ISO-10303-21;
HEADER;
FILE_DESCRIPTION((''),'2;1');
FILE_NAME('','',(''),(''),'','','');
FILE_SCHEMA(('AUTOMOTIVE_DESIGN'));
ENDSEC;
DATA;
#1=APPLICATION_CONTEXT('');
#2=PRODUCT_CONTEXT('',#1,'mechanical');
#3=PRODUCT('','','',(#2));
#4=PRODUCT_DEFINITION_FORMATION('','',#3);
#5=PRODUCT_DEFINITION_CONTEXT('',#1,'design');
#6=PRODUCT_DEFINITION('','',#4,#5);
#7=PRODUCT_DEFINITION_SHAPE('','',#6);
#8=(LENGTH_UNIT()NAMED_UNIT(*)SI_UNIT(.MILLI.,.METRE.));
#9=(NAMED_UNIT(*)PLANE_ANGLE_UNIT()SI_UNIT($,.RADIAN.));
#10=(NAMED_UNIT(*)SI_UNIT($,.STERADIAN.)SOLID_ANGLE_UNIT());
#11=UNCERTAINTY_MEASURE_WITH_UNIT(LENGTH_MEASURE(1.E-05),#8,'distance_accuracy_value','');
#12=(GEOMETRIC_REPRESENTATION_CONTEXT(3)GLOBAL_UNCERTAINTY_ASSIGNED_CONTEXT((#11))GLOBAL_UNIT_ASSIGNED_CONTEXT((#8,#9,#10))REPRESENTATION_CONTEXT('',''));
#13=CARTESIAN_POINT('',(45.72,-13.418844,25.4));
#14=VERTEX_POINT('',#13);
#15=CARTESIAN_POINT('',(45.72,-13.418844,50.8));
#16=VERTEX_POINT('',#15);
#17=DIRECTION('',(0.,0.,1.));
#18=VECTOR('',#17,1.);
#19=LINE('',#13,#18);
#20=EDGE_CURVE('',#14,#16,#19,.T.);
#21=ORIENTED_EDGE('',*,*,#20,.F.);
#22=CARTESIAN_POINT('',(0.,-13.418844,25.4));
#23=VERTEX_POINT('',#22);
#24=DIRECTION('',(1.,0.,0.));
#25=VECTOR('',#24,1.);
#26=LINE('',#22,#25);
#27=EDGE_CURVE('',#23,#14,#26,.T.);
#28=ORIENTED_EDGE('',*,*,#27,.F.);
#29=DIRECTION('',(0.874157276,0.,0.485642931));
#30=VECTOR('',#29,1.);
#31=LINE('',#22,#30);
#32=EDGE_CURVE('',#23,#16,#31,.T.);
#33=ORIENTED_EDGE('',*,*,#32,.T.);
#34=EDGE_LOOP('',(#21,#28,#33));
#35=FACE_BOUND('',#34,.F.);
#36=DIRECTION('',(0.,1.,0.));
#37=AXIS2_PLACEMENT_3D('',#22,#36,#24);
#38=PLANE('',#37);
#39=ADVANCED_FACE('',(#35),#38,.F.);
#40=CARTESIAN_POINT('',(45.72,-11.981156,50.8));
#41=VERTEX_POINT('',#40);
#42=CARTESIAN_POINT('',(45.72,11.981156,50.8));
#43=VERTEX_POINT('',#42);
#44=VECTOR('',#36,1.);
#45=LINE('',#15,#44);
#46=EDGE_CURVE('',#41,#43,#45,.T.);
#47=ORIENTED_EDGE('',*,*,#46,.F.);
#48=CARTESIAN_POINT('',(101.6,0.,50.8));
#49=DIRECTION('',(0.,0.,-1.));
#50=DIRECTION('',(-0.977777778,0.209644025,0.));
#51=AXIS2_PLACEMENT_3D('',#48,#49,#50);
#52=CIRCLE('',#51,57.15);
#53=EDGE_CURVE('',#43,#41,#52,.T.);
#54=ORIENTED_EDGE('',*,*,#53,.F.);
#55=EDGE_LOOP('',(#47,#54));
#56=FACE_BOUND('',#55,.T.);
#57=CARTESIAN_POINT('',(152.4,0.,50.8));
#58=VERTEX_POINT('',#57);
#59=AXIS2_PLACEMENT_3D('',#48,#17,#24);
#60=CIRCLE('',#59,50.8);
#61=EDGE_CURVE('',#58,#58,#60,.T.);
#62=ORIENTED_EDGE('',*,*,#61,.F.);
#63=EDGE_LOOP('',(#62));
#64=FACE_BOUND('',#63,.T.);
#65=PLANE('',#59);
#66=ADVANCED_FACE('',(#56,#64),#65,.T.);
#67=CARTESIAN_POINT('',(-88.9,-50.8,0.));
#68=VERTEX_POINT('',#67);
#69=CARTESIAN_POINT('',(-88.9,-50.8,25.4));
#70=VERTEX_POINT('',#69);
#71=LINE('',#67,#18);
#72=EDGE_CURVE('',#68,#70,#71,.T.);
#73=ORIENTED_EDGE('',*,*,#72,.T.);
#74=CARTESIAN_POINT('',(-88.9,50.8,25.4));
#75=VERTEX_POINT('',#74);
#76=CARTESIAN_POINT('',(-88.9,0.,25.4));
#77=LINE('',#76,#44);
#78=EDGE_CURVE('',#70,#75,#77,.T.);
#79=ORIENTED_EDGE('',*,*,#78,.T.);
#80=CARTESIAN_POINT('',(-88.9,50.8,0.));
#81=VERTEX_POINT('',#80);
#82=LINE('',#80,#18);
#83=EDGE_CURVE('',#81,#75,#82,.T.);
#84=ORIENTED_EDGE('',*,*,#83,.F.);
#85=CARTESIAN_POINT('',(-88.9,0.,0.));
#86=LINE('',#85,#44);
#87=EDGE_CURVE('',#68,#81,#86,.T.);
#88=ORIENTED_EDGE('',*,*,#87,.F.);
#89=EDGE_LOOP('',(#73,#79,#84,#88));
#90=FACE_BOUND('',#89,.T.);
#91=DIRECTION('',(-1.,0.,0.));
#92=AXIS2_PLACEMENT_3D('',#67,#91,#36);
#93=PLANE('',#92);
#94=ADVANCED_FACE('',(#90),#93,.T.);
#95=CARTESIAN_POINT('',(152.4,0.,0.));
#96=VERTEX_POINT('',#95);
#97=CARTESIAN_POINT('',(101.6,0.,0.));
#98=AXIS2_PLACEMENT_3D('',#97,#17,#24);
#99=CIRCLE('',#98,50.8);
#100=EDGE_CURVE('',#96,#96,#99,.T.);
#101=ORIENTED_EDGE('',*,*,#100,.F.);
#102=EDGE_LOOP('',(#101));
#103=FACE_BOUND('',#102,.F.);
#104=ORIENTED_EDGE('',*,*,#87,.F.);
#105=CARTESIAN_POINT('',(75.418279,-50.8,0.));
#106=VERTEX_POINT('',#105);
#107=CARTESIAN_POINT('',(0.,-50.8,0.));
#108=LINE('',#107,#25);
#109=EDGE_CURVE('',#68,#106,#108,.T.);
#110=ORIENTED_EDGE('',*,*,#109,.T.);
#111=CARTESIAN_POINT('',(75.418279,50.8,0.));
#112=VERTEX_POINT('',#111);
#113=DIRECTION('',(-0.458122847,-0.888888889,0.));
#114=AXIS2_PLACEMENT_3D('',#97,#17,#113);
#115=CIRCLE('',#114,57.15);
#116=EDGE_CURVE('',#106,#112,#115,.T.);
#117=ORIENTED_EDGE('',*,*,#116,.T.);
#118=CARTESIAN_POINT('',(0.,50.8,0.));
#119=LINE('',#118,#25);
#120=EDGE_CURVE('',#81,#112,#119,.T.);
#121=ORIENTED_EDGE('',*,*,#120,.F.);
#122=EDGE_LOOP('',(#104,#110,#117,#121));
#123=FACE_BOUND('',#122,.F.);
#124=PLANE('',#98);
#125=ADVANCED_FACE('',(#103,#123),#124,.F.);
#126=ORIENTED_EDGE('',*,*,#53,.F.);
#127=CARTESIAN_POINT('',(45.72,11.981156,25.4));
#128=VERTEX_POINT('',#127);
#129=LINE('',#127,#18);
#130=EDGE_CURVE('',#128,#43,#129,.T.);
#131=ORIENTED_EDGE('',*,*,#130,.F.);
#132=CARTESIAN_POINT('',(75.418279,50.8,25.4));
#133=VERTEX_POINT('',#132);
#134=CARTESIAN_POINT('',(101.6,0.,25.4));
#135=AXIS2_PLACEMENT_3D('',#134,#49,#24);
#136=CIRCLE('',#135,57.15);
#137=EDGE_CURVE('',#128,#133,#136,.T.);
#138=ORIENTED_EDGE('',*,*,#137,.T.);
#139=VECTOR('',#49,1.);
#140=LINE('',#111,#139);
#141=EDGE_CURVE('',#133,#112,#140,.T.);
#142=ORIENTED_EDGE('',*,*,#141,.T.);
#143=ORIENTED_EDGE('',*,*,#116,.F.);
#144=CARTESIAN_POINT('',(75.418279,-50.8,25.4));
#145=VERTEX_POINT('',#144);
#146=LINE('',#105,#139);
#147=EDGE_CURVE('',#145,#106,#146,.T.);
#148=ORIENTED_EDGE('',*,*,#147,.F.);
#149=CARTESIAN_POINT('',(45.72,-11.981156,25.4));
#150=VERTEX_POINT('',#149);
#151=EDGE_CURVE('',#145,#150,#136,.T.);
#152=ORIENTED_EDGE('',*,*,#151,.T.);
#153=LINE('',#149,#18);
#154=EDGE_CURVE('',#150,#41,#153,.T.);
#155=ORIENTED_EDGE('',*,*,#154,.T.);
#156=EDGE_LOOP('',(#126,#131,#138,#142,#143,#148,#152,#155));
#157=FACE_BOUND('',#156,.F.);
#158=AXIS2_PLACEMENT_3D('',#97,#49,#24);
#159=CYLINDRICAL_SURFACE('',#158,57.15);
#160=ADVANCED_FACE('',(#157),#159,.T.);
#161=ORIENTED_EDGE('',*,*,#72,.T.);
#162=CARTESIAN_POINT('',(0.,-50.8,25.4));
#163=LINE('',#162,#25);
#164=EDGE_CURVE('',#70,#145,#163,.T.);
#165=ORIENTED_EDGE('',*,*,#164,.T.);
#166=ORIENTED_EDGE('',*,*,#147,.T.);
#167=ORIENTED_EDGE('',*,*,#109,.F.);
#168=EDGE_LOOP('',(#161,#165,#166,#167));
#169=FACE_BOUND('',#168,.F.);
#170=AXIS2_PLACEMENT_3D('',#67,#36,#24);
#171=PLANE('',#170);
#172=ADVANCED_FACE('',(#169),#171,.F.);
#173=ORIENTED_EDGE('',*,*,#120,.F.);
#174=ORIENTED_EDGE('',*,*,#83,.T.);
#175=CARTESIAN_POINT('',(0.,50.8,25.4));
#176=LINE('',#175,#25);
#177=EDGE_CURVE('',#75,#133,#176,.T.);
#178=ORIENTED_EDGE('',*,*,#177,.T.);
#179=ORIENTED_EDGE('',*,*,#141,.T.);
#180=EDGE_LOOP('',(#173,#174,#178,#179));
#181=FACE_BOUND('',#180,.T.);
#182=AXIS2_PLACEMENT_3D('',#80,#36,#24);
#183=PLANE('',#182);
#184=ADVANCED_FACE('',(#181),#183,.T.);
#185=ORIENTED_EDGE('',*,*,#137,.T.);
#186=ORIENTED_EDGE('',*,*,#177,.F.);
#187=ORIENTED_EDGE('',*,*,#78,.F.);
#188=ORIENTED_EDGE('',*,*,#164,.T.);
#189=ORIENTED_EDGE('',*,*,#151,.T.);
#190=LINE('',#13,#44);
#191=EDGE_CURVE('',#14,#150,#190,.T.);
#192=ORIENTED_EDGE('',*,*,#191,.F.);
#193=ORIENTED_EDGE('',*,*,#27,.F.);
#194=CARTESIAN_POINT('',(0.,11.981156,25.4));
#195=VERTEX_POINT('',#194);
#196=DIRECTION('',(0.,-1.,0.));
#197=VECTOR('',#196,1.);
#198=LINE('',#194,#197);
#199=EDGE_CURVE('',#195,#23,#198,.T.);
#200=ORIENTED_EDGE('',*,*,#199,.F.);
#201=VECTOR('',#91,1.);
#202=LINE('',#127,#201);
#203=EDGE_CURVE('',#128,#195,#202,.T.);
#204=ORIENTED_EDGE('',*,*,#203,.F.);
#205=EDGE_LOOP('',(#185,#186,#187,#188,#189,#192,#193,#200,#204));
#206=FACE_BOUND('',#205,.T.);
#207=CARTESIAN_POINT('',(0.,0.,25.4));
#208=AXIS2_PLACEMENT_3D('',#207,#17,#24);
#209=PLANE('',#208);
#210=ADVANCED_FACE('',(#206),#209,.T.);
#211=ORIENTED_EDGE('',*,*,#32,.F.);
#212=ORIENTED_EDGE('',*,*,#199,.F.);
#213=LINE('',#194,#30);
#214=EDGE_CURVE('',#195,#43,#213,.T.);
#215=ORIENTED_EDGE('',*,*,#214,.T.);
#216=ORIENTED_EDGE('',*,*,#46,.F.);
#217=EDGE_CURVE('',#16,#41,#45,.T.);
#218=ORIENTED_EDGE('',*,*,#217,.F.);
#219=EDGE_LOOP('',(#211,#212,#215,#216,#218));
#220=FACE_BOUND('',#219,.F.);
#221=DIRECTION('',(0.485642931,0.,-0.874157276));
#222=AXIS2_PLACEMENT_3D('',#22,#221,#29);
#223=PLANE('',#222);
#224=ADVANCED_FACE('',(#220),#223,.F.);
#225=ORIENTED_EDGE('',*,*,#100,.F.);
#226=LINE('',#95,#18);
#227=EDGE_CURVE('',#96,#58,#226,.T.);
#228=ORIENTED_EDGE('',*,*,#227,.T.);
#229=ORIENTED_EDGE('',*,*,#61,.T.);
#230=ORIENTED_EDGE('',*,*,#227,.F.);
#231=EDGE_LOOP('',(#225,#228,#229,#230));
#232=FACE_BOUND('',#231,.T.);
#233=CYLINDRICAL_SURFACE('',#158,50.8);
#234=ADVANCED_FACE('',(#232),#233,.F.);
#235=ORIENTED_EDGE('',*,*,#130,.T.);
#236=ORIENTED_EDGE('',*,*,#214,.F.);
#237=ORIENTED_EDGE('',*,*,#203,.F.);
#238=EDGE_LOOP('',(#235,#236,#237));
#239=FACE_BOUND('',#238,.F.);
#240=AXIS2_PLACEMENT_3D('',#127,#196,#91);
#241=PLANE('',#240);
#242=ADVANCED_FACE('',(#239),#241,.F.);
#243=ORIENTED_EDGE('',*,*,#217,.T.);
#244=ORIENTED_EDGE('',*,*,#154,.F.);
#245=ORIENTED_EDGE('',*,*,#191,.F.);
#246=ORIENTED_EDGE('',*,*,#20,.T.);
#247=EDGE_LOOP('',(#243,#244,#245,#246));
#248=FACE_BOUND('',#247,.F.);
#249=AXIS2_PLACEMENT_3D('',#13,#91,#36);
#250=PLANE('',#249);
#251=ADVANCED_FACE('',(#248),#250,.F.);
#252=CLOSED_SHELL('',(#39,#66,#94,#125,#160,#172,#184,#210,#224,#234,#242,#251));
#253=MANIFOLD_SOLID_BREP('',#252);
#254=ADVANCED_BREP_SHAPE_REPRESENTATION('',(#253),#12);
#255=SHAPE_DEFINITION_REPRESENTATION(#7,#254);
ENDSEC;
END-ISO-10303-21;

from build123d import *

# Parameters (mm, degrees)
F0_W     = 177.8
F0_H     = 101.6
F1_DEPTH = 25.4
F2_R     = 57.15
F2_R_2   = 50.8
F3_DEPTH = 50.8
F4_DEPTH = 25.4
F6_DEPTH = 25.4
F8_DEPTH = 25.4


with BuildPart() as f1:
    # F0 (on Top) → F1 (new body)
    with BuildSketch(Plane.XY):
        Rectangle(F0_W, F0_H)
    extrude(amount=F1_DEPTH)

    # F2 (on Top) → F3 (join)
    with BuildSketch(Plane.XY):
        with Locations((101.6, 0)):
            Circle(F2_R)
        with Locations((101.6, 0)):
            Circle(F2_R_2, mode=Mode.SUBTRACT)
    extrude(amount=F3_DEPTH)

    # F2 (on Top) + F3_face (on face) → F4 (cut)
    with BuildSketch(Plane.XY):
        with Locations((101.6, 0)):
            Circle(F2_R)
        with Locations((101.6, 0)):
            Circle(F2_R_2, mode=Mode.SUBTRACT)
    with BuildSketch(Plane(origin=(73.0309989911, 0, 25.4), x_dir=(1, 0, 0), z_dir=(0, 0, 1))):
        with BuildLine():
            ThreePointArc((15.8690010089, 49.1868884968), (-22.2309989911, 0), (15.8690010089, -49.1868884968))
            Line((15.8690010089, -49.1868884968), (15.8690010089, 49.1868884968))
        make_face()
    extrude(amount=-F4_DEPTH, mode=Mode.SUBTRACT)

    # F5 (on face) → F6 (join)
    with BuildSketch(Plane.XY.offset(25.4)):
        with BuildLine():
            Line((0, 11.9811560377), (0, -13.4188439623))
            Line((0, -13.4188439623), (45.72, -13.4188439623))
            Line((45.72, -13.4188439623), (45.72, -11.9811560377))
            ThreePointArc((45.72, -11.9811560377), (44.45, 0), (45.72, 11.9811560377))
            Line((45.72, 11.9811560377), (0, 11.9811560377))
        make_face()
    extrude(amount=F6_DEPTH)

    # F7 (on face) → F8 (cut)
    with BuildSketch(Plane.XZ.offset(13.4188439623)):
        Polygon((0, 25.4), (45.72, 50.8), (0, 50.8), align=None)
    extrude(amount=-F8_DEPTH, mode=Mode.SUBTRACT)


solid = f1.part
